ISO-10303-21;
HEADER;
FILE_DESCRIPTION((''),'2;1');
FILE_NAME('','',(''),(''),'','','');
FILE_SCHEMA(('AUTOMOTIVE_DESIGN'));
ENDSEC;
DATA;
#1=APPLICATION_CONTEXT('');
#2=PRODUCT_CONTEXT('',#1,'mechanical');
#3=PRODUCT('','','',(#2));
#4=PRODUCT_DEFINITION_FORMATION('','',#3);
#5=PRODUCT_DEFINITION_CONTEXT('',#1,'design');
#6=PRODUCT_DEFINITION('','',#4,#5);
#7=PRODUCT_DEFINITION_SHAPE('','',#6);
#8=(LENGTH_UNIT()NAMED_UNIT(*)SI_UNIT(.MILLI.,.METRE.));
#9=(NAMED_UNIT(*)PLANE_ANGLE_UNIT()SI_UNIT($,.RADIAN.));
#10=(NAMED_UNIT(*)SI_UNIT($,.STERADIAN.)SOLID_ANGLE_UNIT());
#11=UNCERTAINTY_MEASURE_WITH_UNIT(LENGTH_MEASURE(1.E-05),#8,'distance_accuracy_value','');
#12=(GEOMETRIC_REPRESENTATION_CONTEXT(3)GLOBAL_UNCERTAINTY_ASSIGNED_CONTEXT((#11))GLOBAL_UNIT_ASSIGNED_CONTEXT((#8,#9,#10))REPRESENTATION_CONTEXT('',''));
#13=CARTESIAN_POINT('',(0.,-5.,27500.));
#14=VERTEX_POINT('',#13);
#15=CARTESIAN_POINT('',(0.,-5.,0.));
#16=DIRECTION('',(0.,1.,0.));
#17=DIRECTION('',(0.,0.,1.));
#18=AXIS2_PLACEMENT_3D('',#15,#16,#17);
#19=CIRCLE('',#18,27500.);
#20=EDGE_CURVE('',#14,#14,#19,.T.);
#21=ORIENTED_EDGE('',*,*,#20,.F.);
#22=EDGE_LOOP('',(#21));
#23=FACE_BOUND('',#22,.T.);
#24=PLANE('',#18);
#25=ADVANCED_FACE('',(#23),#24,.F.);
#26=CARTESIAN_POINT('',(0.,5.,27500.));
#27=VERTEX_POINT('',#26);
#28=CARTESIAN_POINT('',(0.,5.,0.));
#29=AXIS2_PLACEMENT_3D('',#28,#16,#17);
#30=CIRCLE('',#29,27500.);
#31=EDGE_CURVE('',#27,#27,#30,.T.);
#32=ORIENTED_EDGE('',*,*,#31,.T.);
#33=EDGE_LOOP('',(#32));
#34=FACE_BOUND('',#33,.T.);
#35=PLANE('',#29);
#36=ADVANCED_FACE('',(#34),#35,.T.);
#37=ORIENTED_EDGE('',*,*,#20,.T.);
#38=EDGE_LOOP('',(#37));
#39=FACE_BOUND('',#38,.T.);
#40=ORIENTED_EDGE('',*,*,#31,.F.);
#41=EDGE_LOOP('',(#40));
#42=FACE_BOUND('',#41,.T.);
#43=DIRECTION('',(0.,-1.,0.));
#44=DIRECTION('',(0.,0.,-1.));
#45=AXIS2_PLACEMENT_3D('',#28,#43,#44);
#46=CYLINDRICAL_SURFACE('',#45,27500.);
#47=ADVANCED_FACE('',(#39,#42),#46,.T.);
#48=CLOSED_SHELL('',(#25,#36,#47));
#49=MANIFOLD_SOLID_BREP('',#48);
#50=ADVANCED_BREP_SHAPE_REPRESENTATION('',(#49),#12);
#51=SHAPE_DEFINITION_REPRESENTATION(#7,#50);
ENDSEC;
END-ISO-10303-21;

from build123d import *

# Parameters (mm, degrees)
SKETCH1_R           = 27500
BOSS_EXTRUDE1_DEPTH = 5


with BuildPart() as part:
    # Sketch1 → Boss-Extrude1 (new body, symmetric)
    with BuildSketch(Plane(origin=(0, 0, 0), x_dir=(1, 0, 0), z_dir=(0, 1, 0))):
        Circle(SKETCH1_R)
    extrude(amount=BOSS_EXTRUDE1_DEPTH, both=True)


solid = part.part
